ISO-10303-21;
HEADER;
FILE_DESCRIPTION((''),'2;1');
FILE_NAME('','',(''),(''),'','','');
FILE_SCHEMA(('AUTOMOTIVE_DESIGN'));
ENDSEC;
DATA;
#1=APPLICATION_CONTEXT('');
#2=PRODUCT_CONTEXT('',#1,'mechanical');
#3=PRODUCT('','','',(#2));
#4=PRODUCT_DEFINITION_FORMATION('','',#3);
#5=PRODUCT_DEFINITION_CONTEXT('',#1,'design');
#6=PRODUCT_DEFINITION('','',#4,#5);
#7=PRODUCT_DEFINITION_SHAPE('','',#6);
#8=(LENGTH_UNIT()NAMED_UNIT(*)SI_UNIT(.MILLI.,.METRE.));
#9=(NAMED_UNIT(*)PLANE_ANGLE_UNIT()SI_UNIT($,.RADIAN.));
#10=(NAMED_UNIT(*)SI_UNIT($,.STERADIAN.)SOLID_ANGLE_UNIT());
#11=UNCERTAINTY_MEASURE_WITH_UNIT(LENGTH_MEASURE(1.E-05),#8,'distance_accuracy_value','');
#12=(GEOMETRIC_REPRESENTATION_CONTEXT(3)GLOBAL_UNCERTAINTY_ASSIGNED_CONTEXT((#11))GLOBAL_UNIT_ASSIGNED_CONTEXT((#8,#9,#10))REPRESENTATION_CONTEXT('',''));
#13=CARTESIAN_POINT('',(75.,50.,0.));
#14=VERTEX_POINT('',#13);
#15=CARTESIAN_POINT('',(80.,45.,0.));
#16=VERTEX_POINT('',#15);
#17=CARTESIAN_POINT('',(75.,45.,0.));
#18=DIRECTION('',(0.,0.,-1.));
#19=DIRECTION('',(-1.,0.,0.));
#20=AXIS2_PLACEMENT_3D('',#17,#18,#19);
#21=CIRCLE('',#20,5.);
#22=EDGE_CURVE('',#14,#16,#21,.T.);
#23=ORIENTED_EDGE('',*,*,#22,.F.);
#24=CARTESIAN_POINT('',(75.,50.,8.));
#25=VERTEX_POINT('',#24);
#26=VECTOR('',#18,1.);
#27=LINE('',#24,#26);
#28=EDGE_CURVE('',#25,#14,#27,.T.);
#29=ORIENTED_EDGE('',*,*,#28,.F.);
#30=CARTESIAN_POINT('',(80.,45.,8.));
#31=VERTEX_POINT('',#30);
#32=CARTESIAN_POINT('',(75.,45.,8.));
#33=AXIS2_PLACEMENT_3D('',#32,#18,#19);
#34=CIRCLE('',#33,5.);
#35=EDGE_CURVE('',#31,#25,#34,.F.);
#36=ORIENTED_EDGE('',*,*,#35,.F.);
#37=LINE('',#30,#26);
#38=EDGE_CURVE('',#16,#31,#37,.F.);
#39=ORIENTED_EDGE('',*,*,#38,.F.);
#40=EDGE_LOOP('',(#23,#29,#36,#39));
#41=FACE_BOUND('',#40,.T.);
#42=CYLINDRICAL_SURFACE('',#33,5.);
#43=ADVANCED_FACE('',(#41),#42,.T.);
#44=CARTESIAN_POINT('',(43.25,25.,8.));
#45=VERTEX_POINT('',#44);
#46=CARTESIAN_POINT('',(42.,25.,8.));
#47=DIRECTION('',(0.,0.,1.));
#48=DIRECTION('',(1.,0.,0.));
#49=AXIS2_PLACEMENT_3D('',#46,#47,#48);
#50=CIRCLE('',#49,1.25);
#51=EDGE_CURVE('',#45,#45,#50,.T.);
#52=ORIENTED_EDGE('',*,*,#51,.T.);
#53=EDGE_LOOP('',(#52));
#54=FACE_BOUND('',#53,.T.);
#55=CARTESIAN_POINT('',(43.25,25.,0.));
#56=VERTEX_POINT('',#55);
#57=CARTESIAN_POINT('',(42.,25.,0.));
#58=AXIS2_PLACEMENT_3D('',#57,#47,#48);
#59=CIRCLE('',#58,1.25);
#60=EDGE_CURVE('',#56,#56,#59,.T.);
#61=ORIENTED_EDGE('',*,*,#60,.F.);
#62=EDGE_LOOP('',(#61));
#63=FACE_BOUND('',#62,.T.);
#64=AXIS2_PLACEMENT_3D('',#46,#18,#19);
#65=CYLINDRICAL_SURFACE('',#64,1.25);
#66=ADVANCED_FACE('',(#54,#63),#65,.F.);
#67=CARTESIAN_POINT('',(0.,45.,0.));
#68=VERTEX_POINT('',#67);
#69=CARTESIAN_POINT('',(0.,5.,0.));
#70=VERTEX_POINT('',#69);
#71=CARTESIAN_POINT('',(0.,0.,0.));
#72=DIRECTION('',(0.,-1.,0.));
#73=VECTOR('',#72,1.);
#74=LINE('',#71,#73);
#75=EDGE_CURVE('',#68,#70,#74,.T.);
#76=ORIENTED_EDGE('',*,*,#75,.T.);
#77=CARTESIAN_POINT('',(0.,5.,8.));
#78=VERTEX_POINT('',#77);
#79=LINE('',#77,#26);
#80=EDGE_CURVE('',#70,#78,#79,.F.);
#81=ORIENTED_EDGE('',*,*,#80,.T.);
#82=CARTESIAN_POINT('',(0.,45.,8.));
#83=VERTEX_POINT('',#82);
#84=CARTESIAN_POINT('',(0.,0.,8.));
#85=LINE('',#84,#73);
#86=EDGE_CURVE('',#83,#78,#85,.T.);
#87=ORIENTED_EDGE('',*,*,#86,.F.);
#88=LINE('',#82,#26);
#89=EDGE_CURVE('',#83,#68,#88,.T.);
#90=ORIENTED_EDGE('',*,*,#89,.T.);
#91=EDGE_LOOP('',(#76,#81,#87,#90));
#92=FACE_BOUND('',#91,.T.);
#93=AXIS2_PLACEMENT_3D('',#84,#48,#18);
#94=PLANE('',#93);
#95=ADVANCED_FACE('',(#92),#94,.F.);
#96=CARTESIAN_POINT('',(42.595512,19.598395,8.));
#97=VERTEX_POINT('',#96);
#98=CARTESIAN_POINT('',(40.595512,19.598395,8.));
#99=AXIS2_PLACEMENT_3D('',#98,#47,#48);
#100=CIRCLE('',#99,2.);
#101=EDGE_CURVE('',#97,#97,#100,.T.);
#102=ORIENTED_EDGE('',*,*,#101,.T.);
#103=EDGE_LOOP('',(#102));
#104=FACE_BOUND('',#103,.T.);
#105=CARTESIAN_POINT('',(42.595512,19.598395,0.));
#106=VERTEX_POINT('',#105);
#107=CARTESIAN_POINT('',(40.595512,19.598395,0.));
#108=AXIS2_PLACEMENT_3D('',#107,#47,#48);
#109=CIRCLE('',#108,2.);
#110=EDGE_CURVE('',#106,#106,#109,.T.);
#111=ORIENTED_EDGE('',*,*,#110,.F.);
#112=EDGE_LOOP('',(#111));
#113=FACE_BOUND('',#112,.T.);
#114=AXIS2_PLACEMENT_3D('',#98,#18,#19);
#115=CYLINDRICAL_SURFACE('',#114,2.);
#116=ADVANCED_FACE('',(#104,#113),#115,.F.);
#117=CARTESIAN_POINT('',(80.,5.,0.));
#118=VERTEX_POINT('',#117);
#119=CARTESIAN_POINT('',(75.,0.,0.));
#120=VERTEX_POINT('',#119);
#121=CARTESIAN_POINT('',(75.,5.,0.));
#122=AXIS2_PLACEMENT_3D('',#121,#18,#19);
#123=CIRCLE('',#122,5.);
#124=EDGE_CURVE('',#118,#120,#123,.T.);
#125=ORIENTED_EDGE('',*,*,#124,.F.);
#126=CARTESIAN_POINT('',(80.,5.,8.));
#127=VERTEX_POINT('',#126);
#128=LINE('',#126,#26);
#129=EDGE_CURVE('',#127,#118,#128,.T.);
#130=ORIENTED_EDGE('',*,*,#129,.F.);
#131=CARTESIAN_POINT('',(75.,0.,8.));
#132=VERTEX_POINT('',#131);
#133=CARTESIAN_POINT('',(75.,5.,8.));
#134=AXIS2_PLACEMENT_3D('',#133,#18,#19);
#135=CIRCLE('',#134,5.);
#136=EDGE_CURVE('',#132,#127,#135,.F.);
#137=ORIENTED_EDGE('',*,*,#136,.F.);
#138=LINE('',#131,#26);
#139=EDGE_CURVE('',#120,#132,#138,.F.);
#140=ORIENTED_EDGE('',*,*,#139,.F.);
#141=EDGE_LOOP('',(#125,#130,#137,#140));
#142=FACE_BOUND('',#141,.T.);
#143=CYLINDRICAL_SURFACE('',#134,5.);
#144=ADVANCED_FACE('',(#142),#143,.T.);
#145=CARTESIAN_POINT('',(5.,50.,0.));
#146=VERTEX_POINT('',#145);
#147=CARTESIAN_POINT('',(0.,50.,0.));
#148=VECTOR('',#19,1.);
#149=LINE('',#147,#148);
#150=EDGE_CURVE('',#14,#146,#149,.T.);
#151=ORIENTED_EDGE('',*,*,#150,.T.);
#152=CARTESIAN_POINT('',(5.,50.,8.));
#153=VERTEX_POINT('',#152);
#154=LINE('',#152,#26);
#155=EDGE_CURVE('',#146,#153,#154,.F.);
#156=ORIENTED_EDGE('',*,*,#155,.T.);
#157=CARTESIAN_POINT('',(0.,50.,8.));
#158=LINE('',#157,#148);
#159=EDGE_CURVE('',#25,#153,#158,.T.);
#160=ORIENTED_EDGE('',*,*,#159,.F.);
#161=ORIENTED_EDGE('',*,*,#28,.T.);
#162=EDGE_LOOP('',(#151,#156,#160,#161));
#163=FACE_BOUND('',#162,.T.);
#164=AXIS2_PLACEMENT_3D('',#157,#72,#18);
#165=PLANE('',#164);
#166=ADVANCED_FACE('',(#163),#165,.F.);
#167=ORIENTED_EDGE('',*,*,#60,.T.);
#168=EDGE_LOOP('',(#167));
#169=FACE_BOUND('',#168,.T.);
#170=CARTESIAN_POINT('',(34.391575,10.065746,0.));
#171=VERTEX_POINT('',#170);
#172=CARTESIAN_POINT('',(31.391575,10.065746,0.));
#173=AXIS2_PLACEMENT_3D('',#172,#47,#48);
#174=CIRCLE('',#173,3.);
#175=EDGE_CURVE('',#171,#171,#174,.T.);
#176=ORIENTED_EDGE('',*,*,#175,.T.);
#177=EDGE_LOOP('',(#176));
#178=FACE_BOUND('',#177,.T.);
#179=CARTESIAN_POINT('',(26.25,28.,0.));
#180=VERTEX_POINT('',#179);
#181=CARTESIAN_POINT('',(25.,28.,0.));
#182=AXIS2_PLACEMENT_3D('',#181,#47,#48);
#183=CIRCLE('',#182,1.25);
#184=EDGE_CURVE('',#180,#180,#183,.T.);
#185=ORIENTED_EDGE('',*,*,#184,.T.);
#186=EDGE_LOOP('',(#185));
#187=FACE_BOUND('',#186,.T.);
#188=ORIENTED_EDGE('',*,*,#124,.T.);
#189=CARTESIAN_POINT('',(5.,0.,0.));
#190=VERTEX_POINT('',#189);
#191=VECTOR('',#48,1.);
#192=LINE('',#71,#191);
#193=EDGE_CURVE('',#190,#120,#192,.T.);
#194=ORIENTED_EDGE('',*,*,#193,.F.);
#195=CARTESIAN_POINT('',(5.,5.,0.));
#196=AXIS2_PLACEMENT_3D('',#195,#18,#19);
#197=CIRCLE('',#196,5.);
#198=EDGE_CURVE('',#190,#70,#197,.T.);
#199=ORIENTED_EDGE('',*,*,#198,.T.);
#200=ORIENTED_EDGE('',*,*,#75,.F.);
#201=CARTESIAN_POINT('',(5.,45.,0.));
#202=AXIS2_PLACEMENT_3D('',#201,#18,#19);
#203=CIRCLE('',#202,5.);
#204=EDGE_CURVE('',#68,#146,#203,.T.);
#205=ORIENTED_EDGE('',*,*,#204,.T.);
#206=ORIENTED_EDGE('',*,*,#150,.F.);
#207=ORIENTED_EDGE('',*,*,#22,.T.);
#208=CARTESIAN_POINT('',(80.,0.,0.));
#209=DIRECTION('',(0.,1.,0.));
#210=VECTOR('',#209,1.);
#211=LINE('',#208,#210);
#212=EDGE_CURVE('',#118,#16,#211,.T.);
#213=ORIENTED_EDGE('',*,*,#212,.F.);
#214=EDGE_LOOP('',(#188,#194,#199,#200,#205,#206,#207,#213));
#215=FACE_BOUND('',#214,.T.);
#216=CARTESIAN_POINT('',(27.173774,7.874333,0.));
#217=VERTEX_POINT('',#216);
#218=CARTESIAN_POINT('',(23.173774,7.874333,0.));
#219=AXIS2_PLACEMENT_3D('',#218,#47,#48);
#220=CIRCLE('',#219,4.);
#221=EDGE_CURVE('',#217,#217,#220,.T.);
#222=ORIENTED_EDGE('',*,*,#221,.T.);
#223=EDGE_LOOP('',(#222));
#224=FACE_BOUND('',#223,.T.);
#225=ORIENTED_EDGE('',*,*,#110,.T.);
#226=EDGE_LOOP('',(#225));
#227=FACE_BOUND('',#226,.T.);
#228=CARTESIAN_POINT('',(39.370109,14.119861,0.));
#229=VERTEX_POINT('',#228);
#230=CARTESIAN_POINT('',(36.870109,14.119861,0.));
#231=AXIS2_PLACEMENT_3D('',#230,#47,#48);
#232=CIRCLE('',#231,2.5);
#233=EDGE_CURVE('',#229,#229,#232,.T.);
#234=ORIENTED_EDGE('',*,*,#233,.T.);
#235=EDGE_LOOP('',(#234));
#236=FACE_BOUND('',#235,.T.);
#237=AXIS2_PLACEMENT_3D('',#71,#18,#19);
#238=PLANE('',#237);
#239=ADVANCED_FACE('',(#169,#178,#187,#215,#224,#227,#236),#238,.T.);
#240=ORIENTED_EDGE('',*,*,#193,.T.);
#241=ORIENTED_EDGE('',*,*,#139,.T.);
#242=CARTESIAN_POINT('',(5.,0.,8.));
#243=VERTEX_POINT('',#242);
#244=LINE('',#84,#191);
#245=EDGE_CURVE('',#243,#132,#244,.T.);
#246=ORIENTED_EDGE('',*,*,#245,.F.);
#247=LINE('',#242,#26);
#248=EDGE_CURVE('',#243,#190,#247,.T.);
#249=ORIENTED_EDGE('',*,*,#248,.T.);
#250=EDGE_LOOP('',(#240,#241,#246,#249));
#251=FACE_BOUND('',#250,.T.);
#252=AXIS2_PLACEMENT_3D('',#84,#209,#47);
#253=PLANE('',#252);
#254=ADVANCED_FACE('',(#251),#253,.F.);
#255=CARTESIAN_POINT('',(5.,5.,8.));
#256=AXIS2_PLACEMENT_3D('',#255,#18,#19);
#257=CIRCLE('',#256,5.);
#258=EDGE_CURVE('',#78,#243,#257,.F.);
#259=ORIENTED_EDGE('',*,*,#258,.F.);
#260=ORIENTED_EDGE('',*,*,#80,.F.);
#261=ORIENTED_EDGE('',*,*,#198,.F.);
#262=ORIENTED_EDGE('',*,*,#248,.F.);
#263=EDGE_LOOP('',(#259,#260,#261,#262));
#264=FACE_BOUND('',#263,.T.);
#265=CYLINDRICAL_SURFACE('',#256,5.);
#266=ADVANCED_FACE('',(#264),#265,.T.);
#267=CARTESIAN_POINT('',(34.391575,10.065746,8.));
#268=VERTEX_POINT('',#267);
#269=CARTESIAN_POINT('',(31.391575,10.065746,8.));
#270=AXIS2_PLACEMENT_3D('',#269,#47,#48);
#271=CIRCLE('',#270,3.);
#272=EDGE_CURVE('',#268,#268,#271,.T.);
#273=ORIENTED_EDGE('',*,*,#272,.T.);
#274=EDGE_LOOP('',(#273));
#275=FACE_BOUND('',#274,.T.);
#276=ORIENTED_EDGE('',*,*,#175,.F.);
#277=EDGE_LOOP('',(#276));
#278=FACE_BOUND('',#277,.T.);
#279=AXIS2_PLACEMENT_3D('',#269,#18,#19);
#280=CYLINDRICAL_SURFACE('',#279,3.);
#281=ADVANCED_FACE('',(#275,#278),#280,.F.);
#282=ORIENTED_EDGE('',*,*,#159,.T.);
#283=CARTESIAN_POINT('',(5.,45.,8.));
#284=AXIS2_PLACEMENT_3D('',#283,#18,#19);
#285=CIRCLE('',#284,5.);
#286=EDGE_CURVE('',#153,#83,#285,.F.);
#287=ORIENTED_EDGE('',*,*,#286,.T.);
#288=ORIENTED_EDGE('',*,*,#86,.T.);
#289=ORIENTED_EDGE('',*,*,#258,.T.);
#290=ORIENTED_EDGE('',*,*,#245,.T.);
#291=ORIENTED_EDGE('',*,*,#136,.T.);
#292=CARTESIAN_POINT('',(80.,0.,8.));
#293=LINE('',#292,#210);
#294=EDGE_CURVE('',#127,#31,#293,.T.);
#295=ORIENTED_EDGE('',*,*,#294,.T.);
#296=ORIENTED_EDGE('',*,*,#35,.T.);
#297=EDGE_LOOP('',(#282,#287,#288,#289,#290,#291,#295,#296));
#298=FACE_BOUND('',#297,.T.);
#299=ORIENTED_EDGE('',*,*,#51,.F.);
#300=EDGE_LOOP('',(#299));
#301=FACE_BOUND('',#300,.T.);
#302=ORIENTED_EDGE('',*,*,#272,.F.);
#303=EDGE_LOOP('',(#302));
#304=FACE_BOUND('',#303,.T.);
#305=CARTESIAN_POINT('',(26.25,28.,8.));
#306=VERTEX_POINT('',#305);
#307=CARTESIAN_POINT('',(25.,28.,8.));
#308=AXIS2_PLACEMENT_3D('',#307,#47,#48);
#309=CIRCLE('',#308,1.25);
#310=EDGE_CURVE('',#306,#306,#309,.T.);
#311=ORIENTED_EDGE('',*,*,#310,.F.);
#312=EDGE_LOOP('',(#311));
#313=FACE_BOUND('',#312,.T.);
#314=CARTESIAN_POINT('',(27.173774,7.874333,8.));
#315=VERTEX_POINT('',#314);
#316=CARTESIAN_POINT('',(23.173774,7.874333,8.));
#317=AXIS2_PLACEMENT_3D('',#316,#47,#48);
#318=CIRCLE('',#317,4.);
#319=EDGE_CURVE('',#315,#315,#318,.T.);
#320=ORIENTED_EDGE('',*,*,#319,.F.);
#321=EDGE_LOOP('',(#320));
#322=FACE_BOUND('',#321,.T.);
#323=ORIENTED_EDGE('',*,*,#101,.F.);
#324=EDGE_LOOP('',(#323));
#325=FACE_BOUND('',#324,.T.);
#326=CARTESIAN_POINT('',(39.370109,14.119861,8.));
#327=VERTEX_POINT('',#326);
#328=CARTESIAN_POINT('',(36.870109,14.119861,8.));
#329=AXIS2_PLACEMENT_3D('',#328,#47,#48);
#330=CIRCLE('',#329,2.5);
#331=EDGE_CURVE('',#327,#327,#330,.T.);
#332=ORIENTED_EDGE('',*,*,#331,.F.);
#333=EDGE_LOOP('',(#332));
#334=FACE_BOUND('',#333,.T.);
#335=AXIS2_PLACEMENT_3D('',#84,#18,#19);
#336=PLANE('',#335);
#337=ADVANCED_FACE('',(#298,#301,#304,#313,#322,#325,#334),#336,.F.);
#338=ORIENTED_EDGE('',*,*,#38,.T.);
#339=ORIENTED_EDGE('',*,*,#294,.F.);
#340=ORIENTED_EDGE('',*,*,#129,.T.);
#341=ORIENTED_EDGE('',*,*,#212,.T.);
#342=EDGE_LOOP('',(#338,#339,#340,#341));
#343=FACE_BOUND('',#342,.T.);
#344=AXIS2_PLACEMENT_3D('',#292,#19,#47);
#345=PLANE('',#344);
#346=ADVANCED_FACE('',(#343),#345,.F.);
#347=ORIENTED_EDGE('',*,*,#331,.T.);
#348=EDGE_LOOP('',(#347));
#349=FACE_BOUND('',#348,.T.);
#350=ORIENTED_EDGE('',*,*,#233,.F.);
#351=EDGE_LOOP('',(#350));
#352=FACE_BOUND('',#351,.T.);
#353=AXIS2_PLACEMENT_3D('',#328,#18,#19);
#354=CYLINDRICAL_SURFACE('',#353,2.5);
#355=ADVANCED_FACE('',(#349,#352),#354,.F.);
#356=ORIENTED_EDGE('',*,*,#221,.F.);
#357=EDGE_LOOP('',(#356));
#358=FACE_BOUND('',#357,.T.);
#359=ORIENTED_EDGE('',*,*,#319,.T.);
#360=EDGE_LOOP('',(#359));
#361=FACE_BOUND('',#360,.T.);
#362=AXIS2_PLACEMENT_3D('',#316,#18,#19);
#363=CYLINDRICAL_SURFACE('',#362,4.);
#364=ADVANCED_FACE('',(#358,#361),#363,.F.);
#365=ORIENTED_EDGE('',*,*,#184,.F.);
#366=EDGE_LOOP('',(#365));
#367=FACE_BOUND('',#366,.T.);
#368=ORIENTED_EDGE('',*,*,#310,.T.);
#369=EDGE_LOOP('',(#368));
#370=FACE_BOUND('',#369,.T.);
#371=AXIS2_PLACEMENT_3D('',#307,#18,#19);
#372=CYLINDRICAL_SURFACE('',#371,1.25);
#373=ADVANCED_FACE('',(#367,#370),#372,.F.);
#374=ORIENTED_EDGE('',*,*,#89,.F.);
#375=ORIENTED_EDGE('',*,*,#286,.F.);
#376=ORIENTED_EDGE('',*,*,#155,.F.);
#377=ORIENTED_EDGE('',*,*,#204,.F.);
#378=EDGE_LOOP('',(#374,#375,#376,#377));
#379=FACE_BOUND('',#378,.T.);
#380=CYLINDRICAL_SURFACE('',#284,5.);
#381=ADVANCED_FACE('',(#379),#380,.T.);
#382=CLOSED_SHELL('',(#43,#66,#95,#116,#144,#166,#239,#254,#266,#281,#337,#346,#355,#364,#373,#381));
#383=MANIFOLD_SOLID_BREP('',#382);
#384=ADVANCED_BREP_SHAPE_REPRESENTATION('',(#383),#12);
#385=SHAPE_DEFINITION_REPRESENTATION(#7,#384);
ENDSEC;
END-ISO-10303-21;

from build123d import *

# Parameters (mm, degrees)
SKETCH1_W           = 80
SKETCH1_H           = 50
SKETCH1_R           = 1.25
SKETCH1_R_2         = 2
SKETCH1_R_3         = 2.5
SKETCH1_R_4         = 3
SKETCH1_R_5         = 4
BOSS_EXTRUDE1_DEPTH = 8
FILLET1_R           = 5


with BuildPart() as part:
    # Sketch1 → Boss-Extrude1 (new body)
    with BuildSketch(Plane.XY):
        with Locations((40, 25)):
            Rectangle(SKETCH1_W, SKETCH1_H)
        with Locations((25, 28)):
            Circle(SKETCH1_R, mode=Mode.SUBTRACT)
        with Locations((42, 25)):
            Circle(SKETCH1_R, mode=Mode.SUBTRACT)
        with Locations((40.595511613, 19.598395279)):
            Circle(SKETCH1_R_2, mode=Mode.SUBTRACT)
        with Locations((36.870108541, 14.119861351)):
            Circle(SKETCH1_R_3, mode=Mode.SUBTRACT)
        with Locations((31.391574613, 10.065746244)):
            Circle(SKETCH1_R_4, mode=Mode.SUBTRACT)
        with Locations((23.173773721, 7.874332673)):
            Circle(SKETCH1_R_5, mode=Mode.SUBTRACT)
    extrude(amount=BOSS_EXTRUDE1_DEPTH)

    # Fillet1
    fillet1_edges = [part.edges().sort_by_distance(p)[0] for p in [
        (0, 50, 4),
        (80, 50, 4),
        (80, 0, 4),
        (0, 0, 4),
    ]]
    fillet(fillet1_edges, radius=FILLET1_R)


solid = part.part
